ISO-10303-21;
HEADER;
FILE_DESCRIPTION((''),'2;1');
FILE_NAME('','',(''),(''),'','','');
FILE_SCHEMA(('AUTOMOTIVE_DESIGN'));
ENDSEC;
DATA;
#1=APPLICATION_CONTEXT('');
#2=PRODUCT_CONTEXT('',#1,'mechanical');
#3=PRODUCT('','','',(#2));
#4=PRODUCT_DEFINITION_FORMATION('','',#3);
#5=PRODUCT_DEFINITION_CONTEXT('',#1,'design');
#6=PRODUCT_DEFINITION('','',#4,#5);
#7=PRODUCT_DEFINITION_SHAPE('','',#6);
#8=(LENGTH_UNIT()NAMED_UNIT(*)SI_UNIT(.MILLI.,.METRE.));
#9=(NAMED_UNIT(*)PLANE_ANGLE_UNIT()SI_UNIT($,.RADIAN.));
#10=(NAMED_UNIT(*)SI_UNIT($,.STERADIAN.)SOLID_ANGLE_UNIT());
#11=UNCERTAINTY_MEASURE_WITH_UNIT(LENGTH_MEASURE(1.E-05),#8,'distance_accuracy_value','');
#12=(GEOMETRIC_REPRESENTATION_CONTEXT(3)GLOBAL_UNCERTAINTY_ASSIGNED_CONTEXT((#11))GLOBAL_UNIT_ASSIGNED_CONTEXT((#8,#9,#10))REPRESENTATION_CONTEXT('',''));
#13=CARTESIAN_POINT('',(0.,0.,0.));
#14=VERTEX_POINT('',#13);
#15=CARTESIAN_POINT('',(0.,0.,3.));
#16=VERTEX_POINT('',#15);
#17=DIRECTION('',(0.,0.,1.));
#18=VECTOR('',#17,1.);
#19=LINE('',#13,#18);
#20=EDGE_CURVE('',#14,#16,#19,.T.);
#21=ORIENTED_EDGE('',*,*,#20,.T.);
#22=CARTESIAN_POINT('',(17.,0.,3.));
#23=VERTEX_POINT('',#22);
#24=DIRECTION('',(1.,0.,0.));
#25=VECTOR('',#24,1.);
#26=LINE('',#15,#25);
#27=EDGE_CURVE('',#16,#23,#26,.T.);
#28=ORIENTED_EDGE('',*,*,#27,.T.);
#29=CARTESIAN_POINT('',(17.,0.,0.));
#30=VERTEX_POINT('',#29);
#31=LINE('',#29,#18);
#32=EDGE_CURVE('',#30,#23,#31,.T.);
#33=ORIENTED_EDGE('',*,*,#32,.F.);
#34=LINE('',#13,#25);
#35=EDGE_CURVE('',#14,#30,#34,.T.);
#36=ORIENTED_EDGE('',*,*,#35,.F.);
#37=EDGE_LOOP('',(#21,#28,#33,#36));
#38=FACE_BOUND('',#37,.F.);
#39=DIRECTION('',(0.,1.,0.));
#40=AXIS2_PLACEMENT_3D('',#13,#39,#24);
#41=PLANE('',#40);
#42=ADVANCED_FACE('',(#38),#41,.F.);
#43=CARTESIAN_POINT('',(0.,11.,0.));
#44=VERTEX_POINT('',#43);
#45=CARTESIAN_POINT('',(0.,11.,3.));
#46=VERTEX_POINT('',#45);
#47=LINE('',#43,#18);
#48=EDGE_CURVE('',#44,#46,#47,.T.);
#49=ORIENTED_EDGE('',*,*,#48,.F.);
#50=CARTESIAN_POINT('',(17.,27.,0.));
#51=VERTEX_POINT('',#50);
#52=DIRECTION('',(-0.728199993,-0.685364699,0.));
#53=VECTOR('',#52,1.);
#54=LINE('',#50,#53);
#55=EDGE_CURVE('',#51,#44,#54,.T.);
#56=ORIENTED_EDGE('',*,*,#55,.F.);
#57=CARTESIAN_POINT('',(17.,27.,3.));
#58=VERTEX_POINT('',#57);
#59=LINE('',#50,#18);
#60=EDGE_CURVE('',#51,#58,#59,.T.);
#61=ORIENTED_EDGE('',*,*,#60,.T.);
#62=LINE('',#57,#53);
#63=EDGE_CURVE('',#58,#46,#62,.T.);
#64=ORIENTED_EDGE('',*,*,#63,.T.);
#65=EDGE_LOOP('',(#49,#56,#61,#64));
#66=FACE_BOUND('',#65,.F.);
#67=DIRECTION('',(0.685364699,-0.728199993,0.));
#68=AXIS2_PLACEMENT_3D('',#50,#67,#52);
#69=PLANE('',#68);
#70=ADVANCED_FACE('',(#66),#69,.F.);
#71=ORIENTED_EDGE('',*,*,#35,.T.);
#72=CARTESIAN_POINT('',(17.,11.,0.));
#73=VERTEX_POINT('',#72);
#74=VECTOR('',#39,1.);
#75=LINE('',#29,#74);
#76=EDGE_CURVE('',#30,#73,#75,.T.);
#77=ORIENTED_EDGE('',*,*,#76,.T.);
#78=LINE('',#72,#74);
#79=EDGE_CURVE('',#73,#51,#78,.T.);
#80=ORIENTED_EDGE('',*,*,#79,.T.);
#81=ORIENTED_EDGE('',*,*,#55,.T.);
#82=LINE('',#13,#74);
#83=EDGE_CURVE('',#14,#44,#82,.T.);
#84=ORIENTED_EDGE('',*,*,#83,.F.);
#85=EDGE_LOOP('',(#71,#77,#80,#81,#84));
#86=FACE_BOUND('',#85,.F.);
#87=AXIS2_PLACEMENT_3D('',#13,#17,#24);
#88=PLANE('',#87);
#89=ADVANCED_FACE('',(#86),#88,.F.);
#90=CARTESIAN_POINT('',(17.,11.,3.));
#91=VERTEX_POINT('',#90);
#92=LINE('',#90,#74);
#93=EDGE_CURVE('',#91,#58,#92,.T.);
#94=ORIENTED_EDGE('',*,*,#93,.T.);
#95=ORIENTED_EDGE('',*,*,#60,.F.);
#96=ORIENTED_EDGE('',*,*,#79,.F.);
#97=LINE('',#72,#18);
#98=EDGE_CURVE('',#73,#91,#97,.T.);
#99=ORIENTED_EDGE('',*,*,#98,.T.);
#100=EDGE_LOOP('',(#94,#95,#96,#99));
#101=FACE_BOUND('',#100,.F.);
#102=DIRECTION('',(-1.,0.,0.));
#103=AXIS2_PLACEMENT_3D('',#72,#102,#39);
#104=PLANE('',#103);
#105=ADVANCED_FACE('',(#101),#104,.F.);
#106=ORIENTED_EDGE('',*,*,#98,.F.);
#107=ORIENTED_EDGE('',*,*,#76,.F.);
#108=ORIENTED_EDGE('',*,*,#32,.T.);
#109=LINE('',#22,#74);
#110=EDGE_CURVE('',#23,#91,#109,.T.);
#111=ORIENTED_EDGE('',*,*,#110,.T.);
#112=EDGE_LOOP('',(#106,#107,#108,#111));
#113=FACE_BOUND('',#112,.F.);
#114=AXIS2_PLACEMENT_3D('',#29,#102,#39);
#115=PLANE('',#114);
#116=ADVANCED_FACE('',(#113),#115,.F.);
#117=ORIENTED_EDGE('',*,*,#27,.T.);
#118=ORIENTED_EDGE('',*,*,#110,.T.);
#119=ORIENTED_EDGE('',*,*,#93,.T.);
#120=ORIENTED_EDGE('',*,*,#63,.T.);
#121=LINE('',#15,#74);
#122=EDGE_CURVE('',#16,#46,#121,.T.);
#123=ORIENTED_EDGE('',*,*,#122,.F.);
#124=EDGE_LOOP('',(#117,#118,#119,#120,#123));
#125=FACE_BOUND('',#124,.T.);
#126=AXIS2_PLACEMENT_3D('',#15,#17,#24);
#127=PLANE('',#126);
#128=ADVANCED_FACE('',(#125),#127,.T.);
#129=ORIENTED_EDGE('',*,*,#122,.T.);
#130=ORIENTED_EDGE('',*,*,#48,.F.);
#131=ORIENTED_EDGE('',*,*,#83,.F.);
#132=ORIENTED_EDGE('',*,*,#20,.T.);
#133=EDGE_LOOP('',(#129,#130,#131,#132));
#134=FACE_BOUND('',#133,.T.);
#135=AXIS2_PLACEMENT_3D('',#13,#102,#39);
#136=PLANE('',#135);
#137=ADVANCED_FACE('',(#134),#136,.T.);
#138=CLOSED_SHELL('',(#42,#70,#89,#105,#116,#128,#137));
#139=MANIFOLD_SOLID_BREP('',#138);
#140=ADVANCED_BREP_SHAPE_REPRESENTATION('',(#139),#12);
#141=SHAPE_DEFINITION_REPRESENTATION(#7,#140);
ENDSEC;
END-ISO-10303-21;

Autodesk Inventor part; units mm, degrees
ref_plane "YZ Plane" through (0, 0, 0) normal (1, 0, 0) x (0, 1, 0)
ref_plane "XZ Plane" through (0, 0, 0) normal (0, 1, 0) x (-1, 0, 0)
ref_plane "XY Plane" through (0, 0, 0) normal (0, 0, 1) x (1, 0, 0)
sketch "Esboço1" plane through (0, 0, 0) normal (0, 0, 1) x (1, 0, 0)
  line L0 (0, 0) -> (17, 0)
  line L1 (0, 0) -> (0, 11)
  line L2 (17, 0) -> (17, 11)
  line L3 (17, 11) -> (17, 27)
  line L4 (17, 27) -> (0, 11)
  dimension "d0" = 17
  dimension "d1" = 11
  dimension "d2" = 16
extrude "Extrusão1" add sketch "Esboço1" along normal blind 3
properties part number "aletas" material "ABS plástico"
